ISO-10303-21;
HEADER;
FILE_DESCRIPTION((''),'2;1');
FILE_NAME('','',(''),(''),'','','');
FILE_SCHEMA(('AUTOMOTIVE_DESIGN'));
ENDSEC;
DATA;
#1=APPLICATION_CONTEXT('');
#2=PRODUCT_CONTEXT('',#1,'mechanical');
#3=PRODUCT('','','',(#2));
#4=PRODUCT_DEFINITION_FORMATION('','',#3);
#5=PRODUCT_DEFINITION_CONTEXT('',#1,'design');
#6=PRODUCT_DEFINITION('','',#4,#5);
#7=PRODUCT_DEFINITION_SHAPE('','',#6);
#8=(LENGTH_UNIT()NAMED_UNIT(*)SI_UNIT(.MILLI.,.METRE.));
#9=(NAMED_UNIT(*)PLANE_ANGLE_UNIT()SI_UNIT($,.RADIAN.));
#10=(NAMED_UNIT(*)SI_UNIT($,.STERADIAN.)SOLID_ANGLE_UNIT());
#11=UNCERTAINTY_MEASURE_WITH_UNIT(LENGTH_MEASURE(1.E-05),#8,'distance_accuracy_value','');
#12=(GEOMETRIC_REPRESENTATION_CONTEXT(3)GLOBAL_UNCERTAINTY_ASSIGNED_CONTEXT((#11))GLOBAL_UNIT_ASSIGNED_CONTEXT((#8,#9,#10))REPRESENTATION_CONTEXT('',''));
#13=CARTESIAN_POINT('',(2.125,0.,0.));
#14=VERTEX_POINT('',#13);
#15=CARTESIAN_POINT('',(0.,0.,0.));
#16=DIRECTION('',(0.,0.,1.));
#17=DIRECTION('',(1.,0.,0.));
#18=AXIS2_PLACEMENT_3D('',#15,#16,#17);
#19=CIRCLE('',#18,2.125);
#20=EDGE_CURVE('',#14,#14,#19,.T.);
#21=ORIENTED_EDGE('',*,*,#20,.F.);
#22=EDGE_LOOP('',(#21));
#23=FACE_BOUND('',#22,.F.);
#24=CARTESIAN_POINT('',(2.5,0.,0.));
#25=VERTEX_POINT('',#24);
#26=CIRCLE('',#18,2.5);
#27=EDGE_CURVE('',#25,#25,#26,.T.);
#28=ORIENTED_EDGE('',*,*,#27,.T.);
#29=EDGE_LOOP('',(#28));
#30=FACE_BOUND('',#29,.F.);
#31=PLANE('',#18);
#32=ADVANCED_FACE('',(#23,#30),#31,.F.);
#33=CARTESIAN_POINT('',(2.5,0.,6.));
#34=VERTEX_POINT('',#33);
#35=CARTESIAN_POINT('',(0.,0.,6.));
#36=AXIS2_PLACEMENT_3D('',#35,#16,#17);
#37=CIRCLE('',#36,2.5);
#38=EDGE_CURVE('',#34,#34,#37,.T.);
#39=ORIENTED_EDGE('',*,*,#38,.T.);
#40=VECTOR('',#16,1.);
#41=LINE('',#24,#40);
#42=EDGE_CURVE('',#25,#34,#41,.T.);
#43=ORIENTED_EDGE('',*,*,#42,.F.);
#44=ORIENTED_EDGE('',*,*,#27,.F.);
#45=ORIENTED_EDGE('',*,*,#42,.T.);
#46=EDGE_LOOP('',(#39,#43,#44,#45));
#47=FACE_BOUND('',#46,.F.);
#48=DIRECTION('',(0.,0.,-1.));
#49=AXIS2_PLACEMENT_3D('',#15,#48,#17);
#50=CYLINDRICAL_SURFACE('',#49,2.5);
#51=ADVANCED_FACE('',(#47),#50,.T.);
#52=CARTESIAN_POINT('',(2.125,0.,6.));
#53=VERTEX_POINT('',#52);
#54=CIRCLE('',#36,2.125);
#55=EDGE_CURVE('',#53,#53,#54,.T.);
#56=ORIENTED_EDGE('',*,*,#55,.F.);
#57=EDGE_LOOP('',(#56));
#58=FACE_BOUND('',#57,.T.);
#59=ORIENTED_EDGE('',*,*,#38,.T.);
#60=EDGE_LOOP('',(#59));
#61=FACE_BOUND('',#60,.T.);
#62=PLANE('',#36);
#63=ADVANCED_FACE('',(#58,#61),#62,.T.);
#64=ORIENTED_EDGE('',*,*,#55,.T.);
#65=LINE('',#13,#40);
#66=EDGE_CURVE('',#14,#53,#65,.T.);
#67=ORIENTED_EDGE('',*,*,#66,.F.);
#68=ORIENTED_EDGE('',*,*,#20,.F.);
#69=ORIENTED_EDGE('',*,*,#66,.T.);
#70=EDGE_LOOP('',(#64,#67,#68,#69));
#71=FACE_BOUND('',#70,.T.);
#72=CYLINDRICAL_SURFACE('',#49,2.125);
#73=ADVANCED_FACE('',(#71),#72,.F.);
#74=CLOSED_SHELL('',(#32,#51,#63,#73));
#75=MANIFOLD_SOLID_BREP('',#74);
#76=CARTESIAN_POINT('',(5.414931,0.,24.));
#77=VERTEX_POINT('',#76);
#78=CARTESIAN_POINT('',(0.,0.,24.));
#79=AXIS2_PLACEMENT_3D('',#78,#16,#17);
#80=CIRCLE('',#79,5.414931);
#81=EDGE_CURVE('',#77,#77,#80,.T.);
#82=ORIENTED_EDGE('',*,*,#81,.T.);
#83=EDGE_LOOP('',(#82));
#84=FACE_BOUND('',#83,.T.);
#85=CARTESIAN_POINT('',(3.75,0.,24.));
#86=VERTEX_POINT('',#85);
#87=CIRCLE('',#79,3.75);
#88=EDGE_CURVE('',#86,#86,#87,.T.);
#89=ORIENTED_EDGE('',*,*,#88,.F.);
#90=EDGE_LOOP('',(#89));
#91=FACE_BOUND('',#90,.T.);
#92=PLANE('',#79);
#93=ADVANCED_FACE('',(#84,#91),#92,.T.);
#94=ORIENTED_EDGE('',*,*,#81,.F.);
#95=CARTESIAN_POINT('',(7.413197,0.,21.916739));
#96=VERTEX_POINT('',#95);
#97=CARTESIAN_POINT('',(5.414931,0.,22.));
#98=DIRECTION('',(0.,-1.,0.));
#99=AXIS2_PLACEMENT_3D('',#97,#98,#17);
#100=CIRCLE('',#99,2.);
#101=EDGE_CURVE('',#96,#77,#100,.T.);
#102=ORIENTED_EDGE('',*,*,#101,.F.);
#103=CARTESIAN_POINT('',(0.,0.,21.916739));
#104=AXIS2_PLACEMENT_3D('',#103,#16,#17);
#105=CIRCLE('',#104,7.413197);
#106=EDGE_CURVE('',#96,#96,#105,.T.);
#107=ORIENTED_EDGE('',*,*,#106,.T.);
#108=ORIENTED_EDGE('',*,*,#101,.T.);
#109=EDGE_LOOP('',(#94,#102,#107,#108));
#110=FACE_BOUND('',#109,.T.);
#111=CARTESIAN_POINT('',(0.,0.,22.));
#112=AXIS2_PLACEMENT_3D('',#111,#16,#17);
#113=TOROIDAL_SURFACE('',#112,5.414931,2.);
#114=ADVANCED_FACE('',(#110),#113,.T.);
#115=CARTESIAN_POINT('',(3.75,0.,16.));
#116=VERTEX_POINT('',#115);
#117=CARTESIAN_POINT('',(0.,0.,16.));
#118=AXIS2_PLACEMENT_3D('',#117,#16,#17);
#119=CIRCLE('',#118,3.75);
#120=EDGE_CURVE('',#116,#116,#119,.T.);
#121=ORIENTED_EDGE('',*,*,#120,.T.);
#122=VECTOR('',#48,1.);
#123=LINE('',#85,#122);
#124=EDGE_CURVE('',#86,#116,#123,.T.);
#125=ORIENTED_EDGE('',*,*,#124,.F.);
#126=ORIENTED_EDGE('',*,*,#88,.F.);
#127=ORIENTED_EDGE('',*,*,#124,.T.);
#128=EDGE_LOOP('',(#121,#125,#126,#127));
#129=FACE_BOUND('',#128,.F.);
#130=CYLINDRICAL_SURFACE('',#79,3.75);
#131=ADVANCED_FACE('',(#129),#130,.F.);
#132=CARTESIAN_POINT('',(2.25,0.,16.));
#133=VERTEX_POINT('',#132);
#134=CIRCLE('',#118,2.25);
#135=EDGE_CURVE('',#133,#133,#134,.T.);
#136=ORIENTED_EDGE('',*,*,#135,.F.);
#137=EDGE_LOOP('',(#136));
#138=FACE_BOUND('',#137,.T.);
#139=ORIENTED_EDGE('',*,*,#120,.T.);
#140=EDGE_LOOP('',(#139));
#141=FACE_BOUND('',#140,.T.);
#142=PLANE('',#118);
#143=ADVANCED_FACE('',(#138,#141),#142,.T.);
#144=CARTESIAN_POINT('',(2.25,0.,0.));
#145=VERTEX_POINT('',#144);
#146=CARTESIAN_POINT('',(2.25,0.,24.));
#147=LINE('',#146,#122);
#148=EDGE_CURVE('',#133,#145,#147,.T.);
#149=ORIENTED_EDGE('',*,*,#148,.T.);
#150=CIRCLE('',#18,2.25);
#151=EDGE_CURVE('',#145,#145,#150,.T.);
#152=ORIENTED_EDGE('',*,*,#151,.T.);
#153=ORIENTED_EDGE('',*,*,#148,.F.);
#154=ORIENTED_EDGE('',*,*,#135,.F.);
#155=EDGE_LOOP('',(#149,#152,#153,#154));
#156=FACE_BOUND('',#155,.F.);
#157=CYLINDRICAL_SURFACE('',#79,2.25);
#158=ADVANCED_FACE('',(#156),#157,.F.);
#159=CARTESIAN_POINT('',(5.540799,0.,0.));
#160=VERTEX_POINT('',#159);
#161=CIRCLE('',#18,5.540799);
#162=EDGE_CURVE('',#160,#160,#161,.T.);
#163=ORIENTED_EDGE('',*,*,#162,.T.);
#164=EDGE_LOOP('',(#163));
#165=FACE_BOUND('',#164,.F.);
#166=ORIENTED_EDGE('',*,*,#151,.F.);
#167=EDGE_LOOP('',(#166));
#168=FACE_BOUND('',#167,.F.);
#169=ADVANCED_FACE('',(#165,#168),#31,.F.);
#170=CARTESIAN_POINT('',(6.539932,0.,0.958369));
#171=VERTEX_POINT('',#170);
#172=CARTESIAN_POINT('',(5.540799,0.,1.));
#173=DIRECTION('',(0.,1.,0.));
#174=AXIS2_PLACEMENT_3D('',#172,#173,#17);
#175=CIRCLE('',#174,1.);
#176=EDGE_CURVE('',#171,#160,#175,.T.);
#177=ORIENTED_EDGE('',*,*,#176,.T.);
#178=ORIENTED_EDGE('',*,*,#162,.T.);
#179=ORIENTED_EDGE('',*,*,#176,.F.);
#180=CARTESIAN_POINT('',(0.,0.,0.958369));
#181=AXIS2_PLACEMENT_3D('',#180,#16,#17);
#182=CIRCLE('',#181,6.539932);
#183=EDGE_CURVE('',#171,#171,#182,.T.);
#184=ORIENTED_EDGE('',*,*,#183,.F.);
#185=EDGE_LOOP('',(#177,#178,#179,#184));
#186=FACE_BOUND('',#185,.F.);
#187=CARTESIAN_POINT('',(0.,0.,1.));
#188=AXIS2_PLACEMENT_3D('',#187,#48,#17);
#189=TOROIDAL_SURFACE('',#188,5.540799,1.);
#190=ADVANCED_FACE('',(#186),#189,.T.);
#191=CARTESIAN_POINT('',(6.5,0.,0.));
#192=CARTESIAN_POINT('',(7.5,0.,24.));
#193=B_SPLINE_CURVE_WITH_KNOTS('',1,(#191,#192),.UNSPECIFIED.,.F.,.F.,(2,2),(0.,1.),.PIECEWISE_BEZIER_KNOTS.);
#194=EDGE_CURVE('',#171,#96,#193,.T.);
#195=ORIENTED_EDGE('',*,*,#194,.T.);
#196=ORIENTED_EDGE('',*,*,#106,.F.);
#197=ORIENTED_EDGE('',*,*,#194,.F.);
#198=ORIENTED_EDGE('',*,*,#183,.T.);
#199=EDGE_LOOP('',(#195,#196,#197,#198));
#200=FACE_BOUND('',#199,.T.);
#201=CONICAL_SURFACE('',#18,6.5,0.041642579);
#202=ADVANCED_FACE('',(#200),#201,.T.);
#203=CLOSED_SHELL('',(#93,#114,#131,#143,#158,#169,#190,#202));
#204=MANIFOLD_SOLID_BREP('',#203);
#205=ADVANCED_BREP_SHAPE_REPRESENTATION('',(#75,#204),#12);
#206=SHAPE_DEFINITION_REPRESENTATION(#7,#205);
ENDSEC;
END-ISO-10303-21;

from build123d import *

# Parameters (mm, degrees)
SKETCH_R        = 6.5
SKETCH001_R     = 7.5
SKETCH002_R     = 2.25
POCKET_DEPTH    = 24.001
SKETCH003_R     = 3.75
POCKET001_DEPTH = 8
FILLET_R        = 2
FILLET001_R     = 1
SKETCH004_R     = 2.5
SKETCH004_R_2   = 2.125
PAD_DEPTH       = 6


with BuildPart() as body:
    # Sketch (on XY_Plane of Origin) → AdditiveLoft section 0
    with BuildSketch(Plane.XY):
        Circle(SKETCH_R)
    # Sketch001 (on Sketch) → AdditiveLoft section 1
    with BuildSketch(Plane.XY.offset(24)):
        Circle(SKETCH001_R)
    loft()

    # Sketch002 → Pocket (cut, through all)
    with BuildSketch(Plane.XY.offset(24)):
        Circle(SKETCH002_R)
    extrude(amount=-POCKET_DEPTH, mode=Mode.SUBTRACT)

    # Sketch003 → Pocket001 (cut)
    with BuildSketch(Plane.XY.offset(24)):
        Circle(SKETCH003_R)
    extrude(amount=-POCKET001_DEPTH, mode=Mode.SUBTRACT)

    # Fillet
    fillet_edges = [body.edges().sort_by_distance(p)[0] for p in [
        (-7.5, 0, 24),
    ]]
    fillet(fillet_edges, radius=FILLET_R)

    # Fillet001
    fillet001_edges = [body.edges().sort_by_distance(p)[0] for p in [
        (-6.5, 0, 0),
    ]]
    fillet(fillet001_edges, radius=FILLET001_R)


with BuildPart() as body001:
    # Sketch004 (on XY_Plane001 of Origin002) → Pad (new body)
    with BuildSketch(Plane.XY):
        Circle(SKETCH004_R)
        Circle(SKETCH004_R_2, mode=Mode.SUBTRACT)
    extrude(amount=PAD_DEPTH)


solid = Compound([body.part, body001.part])
